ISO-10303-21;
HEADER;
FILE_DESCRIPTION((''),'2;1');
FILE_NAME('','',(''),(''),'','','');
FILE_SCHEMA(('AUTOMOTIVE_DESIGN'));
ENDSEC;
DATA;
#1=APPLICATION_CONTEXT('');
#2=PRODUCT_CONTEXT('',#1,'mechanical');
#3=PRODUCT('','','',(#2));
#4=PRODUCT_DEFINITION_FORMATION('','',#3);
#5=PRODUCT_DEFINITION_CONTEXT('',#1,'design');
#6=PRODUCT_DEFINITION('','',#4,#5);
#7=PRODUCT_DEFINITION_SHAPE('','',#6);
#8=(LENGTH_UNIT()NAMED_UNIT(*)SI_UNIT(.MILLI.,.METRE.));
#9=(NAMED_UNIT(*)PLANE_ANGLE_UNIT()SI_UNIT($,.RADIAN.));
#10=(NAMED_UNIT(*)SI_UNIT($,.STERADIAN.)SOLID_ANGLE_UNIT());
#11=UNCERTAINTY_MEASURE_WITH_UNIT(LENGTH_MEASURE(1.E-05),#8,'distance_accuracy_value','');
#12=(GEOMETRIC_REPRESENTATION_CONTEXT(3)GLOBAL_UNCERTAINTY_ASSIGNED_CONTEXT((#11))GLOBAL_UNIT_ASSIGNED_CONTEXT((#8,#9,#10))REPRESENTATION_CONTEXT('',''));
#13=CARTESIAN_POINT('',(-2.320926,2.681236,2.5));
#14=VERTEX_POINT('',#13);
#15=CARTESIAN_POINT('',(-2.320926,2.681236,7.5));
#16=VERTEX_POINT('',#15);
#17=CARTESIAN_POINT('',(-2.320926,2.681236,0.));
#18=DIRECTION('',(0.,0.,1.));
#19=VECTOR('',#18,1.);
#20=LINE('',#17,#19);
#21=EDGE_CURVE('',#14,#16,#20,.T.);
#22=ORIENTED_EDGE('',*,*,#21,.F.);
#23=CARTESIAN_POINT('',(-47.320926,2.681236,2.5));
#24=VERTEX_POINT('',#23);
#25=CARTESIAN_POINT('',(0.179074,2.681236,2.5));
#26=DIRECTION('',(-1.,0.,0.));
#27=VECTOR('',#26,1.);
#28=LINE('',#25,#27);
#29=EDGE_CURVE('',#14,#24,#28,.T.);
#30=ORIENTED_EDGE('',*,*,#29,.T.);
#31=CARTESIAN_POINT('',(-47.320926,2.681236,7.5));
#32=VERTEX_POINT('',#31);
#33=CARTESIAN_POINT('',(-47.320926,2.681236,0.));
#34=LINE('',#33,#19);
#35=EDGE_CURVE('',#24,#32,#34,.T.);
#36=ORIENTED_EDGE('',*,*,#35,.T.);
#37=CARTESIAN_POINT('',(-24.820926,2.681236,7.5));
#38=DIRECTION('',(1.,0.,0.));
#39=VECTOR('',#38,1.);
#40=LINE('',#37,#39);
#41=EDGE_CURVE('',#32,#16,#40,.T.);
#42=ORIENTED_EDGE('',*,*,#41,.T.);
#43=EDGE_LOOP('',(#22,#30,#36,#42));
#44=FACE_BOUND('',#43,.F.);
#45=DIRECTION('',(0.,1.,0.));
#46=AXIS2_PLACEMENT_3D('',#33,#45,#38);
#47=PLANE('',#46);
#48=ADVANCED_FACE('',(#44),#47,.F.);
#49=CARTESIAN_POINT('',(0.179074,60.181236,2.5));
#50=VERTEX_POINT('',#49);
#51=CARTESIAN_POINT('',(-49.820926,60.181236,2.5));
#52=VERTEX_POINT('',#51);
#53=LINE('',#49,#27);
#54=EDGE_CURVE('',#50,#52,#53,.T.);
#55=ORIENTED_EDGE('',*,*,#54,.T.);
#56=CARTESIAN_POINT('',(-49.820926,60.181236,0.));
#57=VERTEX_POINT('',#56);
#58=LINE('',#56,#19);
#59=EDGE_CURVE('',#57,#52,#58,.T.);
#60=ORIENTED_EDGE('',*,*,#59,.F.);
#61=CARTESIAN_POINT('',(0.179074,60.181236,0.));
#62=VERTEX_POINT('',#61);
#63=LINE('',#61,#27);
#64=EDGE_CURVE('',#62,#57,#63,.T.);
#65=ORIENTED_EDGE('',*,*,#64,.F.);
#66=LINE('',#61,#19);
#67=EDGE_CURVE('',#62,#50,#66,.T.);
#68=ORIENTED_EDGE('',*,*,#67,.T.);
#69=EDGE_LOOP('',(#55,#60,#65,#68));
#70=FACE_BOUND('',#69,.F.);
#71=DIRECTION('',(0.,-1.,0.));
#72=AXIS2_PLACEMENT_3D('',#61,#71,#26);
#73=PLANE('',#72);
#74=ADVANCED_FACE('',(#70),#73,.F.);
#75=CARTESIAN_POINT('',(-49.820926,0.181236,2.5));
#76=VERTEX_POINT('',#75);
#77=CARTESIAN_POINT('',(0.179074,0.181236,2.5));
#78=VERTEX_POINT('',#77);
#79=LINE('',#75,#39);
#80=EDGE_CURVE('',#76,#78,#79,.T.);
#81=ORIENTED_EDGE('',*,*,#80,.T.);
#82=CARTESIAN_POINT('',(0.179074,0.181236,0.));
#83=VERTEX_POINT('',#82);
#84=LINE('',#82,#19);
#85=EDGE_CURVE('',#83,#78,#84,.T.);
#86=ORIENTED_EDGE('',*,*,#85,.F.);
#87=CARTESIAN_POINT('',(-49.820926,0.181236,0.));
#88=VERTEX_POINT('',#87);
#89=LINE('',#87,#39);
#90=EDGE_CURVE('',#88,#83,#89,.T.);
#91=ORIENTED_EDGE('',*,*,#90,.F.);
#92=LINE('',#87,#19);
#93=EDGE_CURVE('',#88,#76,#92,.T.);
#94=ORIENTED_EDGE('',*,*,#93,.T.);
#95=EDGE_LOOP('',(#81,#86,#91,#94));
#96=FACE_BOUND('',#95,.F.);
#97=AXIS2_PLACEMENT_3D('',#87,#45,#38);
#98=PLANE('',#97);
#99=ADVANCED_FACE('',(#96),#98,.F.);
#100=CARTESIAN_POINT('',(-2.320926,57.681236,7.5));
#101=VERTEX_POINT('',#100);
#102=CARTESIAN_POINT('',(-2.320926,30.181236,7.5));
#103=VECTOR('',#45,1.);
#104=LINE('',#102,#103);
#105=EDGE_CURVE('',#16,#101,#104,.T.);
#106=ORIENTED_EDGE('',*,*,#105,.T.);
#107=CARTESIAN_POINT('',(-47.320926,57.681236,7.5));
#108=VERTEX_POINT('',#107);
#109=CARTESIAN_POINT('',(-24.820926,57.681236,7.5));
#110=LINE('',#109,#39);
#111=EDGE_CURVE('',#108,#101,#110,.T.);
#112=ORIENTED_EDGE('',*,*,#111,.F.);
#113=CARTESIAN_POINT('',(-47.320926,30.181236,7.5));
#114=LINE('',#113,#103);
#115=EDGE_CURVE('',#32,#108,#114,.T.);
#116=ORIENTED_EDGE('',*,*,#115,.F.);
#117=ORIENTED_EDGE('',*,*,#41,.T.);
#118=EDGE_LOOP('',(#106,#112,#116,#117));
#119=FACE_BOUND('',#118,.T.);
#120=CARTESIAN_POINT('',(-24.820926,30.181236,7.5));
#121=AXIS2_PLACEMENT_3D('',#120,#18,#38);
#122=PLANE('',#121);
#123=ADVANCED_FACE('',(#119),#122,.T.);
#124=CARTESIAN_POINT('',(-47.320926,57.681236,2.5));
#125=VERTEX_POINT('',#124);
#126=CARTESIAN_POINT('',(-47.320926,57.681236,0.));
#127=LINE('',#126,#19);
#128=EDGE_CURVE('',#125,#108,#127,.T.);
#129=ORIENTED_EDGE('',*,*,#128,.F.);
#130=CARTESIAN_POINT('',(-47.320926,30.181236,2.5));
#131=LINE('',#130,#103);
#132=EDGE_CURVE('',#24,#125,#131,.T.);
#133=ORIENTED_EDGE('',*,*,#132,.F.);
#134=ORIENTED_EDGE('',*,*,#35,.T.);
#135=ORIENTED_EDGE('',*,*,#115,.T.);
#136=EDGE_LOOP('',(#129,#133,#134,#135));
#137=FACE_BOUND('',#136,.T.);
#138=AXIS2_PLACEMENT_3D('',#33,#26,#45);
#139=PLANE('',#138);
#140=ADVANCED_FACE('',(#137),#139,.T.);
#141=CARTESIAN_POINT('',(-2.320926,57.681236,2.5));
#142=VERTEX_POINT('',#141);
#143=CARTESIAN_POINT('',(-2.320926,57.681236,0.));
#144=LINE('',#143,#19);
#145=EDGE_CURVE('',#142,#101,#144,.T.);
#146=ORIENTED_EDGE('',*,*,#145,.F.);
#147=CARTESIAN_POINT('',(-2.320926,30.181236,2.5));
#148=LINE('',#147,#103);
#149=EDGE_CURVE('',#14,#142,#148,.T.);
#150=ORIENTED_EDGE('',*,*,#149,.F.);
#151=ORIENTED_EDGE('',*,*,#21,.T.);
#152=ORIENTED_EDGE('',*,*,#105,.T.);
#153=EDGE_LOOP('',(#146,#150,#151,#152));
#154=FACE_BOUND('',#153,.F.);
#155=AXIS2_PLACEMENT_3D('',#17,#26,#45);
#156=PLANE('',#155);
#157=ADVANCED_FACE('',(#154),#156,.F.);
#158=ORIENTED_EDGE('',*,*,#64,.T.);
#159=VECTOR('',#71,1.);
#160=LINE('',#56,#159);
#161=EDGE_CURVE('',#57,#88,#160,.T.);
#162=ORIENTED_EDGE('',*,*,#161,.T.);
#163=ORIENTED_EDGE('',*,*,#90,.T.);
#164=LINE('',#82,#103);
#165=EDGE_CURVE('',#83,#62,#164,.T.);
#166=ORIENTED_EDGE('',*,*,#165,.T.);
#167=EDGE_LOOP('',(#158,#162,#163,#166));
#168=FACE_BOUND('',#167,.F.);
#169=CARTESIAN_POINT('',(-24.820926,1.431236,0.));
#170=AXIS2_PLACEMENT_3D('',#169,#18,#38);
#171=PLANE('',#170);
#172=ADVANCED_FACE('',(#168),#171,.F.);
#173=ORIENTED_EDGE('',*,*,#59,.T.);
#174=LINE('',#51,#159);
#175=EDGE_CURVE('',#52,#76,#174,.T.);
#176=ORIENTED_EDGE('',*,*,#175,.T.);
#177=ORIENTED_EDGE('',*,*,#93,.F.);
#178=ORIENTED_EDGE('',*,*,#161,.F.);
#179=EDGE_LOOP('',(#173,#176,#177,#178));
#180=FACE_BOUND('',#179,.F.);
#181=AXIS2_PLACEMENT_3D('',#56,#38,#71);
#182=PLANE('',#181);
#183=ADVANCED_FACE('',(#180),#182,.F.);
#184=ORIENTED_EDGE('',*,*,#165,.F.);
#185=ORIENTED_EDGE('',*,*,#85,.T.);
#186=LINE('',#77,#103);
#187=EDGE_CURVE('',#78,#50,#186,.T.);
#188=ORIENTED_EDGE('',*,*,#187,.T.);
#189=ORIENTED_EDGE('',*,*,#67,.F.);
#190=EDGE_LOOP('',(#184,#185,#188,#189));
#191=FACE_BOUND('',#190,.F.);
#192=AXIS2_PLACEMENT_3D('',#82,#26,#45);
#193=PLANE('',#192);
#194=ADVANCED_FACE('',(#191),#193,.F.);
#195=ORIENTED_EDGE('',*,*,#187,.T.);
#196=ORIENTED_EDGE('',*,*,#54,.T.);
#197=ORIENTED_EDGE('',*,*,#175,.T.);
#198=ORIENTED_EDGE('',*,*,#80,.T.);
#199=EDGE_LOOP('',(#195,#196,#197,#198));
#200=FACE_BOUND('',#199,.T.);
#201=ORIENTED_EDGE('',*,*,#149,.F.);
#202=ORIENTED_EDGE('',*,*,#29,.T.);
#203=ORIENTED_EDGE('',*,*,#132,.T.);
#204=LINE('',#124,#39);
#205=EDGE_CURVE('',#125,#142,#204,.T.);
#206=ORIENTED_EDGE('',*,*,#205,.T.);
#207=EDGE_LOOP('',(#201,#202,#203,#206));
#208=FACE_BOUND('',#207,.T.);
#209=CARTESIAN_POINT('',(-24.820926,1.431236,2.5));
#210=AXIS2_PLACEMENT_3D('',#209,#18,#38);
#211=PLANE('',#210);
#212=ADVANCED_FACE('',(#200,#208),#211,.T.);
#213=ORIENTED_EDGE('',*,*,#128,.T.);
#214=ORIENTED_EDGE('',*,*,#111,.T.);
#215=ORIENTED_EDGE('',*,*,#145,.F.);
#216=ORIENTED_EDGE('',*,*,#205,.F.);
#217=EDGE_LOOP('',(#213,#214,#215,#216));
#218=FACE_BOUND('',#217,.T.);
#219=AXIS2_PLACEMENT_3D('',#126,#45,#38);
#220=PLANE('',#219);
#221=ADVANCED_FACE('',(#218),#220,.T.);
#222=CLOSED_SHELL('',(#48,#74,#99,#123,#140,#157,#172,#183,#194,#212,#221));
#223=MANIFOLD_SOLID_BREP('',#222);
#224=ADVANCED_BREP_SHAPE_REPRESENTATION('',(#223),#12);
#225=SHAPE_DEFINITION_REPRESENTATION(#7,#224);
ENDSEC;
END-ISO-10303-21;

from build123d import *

# Parameters (mm, degrees)
F0_W     = 45
F0_H     = 55
F1_DEPTH = 7.5
F0_W_2   = 2.5
F2_DEPTH = 2.5


with BuildPart() as f1:
    # F0 (on Top) → F1 (new body)
    with BuildSketch(Plane.XY):
        with Locations((-24.820926, 30.181236)):
            Rectangle(F0_W, F0_H)
    extrude(amount=F1_DEPTH)

    # F0 (on Top) → F2 (join)
    with BuildSketch(Plane.XY):
        Polygon((-47.320926, 2.681236), (-49.820926, 2.681236), (-49.820926, 0.181236), (0.179074, 0.181236), (0.179074, 2.681236), (-2.320926, 2.681236), align=None)
        with Locations((-48.570926, 30.181236)):
            Rectangle(F0_W_2, F0_H)
        Polygon((0.179074, 60.181236), (-49.820926, 60.181236), (-49.820926, 57.681236), (-47.320926, 57.681236), (-2.320926, 57.681236), (0.179074, 57.681236), align=None)
        with Locations((-1.070926, 30.181236)):
            Rectangle(F0_W_2, F0_H)
    extrude(amount=F2_DEPTH)


solid = f1.part
